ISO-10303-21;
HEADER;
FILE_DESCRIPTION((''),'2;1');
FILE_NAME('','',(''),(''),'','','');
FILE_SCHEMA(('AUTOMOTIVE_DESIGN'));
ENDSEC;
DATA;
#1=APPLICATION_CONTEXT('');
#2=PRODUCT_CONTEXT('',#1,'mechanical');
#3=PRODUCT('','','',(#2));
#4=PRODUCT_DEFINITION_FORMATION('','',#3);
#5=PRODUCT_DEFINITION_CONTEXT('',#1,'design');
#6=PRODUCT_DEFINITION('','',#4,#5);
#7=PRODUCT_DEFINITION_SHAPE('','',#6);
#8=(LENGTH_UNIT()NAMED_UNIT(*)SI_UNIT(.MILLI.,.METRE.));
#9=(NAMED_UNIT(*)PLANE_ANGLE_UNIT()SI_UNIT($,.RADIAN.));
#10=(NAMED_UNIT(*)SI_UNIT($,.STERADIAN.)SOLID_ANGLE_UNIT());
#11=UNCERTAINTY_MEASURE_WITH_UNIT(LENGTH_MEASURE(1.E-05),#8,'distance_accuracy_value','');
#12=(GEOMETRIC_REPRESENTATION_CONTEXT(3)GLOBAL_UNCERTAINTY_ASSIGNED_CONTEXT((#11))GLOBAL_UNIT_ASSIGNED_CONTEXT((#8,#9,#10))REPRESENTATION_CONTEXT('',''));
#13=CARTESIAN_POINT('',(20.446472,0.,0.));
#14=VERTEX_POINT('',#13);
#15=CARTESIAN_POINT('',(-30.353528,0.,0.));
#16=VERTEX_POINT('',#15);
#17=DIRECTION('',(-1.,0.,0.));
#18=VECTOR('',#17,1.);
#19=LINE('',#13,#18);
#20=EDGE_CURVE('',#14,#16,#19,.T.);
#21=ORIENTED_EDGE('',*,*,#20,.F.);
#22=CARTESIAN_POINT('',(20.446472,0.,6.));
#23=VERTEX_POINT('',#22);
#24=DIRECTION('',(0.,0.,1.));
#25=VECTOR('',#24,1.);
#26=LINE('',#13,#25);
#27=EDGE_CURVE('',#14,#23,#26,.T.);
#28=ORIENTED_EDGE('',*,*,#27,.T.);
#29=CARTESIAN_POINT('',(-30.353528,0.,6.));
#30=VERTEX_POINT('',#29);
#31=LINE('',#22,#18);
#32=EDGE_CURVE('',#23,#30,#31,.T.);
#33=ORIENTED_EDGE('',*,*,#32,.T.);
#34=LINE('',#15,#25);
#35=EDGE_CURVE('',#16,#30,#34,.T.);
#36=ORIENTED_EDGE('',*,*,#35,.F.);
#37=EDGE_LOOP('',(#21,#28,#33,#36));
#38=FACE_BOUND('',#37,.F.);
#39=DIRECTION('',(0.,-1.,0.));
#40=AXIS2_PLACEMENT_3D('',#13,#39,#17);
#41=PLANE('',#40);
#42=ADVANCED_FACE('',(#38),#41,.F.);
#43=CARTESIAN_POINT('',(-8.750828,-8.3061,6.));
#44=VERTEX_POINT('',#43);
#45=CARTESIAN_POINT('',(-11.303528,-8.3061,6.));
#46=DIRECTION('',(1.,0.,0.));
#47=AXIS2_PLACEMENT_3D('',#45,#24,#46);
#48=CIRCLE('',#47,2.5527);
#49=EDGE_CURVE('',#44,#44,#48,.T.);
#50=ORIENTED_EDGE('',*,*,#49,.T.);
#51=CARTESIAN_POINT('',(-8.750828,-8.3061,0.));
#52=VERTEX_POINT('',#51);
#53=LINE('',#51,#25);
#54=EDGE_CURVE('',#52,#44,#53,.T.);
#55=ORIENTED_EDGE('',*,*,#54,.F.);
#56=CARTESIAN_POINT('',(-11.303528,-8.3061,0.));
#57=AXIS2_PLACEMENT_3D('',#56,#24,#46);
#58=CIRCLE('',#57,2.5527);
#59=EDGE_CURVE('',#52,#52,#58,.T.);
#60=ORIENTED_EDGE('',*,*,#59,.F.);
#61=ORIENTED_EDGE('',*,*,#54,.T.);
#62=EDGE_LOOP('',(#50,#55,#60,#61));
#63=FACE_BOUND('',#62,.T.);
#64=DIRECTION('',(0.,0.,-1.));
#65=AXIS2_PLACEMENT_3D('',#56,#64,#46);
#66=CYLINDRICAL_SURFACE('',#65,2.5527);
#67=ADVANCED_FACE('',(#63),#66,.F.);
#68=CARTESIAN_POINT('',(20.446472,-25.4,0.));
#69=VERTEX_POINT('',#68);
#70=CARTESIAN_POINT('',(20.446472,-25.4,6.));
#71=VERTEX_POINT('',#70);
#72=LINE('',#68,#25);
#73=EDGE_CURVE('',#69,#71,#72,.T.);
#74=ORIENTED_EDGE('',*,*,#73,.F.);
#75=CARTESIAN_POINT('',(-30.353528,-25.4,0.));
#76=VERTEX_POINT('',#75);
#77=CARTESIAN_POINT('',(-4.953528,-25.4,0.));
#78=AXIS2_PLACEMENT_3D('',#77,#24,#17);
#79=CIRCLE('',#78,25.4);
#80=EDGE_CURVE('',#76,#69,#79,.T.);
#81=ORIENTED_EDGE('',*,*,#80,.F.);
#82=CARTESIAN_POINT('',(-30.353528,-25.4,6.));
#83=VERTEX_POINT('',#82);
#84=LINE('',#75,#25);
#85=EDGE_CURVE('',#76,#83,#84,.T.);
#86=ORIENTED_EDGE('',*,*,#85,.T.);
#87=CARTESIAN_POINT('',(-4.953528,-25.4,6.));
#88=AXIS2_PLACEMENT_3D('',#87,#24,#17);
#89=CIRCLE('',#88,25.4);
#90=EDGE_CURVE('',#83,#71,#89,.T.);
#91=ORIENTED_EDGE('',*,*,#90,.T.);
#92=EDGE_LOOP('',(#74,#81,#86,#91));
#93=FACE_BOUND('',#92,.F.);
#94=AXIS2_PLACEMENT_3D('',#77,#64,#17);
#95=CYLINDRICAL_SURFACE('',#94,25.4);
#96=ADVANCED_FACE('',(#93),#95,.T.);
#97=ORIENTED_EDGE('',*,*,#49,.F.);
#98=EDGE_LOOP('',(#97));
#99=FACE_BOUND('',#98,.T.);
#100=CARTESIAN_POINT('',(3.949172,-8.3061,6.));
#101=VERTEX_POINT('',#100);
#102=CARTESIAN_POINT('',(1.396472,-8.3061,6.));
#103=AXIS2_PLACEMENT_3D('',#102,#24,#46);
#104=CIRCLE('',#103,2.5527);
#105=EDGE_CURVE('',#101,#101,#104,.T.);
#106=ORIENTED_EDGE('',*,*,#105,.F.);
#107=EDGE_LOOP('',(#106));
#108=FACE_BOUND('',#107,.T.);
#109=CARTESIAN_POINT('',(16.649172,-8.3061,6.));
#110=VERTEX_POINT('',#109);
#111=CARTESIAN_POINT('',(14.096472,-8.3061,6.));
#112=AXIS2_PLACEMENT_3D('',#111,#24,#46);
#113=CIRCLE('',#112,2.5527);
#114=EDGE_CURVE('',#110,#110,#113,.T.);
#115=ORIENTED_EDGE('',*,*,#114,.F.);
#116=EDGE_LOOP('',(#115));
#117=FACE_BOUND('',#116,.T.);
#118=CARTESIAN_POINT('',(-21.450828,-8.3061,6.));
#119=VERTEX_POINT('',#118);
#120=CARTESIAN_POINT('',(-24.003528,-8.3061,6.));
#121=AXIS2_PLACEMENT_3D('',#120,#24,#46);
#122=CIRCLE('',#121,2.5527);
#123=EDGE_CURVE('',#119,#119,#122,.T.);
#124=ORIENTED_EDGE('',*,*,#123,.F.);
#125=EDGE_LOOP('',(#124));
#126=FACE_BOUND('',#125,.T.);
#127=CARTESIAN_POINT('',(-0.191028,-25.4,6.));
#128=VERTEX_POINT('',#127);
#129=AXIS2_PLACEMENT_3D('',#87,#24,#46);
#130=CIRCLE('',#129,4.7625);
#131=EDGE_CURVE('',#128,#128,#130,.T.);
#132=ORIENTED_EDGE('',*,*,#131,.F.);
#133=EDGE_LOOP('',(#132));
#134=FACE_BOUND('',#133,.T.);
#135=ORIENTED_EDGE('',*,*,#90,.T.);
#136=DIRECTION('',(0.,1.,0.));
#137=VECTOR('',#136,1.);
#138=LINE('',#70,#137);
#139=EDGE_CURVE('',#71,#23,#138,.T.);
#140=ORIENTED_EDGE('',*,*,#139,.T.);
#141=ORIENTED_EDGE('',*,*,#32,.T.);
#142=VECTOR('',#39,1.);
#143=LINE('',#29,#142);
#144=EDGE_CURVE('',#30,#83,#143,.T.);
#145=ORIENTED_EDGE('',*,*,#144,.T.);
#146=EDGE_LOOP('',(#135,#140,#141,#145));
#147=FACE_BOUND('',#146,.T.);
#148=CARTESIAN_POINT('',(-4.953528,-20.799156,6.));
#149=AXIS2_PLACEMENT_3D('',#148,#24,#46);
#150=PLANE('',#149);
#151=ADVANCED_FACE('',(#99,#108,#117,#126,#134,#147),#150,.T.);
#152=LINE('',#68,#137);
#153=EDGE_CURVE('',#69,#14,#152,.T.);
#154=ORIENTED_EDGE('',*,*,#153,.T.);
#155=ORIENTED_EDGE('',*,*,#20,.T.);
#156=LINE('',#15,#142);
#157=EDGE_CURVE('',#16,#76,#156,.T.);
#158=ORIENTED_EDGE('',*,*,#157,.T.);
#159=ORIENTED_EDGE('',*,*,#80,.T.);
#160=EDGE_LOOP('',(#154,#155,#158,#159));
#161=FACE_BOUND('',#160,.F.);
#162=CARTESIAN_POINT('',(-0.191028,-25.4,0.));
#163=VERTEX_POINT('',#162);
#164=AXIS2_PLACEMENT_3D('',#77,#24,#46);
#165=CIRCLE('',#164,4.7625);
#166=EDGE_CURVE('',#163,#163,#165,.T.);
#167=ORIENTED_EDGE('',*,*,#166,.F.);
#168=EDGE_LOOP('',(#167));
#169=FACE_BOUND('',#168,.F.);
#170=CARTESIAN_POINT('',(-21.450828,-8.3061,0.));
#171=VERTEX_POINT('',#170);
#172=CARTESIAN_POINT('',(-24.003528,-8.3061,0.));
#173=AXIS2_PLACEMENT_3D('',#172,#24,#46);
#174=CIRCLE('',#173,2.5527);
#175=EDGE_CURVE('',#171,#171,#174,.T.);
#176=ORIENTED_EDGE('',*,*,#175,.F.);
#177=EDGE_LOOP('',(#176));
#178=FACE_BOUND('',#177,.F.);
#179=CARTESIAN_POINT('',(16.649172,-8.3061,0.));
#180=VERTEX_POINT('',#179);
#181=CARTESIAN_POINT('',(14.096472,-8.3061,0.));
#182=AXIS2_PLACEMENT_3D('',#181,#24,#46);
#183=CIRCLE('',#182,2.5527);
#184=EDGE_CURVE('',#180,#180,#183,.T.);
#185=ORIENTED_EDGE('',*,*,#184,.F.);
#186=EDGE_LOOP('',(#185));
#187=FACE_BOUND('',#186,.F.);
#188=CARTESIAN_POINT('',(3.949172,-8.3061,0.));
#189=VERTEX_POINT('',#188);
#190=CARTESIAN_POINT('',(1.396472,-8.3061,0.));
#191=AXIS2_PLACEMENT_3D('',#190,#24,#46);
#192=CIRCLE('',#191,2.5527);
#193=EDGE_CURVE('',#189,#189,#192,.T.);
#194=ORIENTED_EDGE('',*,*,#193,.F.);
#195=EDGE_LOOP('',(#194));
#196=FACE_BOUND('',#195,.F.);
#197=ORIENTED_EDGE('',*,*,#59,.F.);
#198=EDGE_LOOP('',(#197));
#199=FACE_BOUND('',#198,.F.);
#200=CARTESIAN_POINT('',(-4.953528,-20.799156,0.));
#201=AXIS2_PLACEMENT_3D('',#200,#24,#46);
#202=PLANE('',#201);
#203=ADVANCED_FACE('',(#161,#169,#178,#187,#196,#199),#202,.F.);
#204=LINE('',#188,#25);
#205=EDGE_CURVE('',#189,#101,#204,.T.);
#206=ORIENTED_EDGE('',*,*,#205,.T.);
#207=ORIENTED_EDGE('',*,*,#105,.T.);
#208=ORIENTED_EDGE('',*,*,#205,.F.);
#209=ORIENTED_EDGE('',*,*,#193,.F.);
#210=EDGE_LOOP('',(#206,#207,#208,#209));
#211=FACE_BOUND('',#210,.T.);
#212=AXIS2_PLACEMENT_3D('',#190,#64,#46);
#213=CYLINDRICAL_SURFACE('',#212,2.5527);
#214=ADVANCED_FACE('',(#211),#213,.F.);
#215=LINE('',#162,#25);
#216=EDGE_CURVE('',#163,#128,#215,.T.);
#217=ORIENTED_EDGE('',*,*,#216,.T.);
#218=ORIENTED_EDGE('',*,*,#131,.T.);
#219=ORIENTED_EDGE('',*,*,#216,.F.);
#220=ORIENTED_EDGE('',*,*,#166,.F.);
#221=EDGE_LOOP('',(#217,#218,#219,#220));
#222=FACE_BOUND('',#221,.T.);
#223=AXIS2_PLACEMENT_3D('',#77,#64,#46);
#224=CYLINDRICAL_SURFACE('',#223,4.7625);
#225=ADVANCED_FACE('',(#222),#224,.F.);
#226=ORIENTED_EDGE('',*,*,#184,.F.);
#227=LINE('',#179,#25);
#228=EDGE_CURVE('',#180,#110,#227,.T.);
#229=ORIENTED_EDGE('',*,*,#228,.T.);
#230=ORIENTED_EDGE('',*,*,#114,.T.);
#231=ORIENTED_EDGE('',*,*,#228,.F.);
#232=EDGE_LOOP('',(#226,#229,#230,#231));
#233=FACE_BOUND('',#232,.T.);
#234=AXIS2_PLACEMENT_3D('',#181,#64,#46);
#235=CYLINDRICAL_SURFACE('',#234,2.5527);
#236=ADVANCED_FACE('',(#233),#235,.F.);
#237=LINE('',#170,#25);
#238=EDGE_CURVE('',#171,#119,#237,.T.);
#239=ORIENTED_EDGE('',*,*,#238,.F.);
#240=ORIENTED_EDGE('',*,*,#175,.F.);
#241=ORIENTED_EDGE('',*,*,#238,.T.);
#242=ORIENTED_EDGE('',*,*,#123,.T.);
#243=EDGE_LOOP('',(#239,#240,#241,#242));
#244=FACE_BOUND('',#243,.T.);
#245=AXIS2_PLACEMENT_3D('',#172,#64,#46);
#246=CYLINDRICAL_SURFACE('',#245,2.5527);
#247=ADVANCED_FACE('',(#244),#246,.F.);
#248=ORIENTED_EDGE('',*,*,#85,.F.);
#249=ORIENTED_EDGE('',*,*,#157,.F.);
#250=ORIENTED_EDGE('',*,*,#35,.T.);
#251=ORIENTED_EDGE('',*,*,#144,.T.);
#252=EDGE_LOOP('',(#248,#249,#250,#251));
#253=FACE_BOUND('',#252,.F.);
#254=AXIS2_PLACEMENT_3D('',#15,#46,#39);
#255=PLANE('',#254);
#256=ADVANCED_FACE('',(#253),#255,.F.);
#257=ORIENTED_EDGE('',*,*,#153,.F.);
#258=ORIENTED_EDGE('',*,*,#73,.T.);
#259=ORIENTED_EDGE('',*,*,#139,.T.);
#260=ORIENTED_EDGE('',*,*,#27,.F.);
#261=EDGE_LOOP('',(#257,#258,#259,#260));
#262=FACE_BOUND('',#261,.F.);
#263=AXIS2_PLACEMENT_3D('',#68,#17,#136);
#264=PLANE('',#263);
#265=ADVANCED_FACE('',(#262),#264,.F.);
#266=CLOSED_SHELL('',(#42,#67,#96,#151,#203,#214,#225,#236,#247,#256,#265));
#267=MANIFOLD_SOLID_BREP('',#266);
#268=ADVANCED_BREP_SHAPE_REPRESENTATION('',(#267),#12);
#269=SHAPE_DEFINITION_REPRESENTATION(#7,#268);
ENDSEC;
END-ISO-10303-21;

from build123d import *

# Parameters (mm, degrees)
F0_R     = 4.7625
F0_R_2   = 2.5527
F1_DEPTH = 6


with BuildPart() as f1:
    # F0 (on Top) → F1 (new body)
    with BuildSketch(Plane.XY):
        with BuildLine():
            Line((20.446472, 0), (-30.353528, 0))
            Line((-30.353528, 0), (-30.353528, -25.4))
            ThreePointArc((-30.353528, -25.4), (-4.953528, -50.8), (20.446472, -25.4))
            Line((20.446472, -25.4), (20.446472, 0))
        make_face()
        with Locations((-4.953528, -25.4)):
            Circle(F0_R, mode=Mode.SUBTRACT)
        with Locations((-24.003528, -8.3061)):
            Circle(F0_R_2, mode=Mode.SUBTRACT)
        with Locations((-11.303528, -8.3061)):
            Circle(F0_R_2, mode=Mode.SUBTRACT)
        with Locations((1.396472, -8.3061)):
            Circle(F0_R_2, mode=Mode.SUBTRACT)
        with Locations((14.096472, -8.3061)):
            Circle(F0_R_2, mode=Mode.SUBTRACT)
    extrude(amount=F1_DEPTH)


solid = f1.part
